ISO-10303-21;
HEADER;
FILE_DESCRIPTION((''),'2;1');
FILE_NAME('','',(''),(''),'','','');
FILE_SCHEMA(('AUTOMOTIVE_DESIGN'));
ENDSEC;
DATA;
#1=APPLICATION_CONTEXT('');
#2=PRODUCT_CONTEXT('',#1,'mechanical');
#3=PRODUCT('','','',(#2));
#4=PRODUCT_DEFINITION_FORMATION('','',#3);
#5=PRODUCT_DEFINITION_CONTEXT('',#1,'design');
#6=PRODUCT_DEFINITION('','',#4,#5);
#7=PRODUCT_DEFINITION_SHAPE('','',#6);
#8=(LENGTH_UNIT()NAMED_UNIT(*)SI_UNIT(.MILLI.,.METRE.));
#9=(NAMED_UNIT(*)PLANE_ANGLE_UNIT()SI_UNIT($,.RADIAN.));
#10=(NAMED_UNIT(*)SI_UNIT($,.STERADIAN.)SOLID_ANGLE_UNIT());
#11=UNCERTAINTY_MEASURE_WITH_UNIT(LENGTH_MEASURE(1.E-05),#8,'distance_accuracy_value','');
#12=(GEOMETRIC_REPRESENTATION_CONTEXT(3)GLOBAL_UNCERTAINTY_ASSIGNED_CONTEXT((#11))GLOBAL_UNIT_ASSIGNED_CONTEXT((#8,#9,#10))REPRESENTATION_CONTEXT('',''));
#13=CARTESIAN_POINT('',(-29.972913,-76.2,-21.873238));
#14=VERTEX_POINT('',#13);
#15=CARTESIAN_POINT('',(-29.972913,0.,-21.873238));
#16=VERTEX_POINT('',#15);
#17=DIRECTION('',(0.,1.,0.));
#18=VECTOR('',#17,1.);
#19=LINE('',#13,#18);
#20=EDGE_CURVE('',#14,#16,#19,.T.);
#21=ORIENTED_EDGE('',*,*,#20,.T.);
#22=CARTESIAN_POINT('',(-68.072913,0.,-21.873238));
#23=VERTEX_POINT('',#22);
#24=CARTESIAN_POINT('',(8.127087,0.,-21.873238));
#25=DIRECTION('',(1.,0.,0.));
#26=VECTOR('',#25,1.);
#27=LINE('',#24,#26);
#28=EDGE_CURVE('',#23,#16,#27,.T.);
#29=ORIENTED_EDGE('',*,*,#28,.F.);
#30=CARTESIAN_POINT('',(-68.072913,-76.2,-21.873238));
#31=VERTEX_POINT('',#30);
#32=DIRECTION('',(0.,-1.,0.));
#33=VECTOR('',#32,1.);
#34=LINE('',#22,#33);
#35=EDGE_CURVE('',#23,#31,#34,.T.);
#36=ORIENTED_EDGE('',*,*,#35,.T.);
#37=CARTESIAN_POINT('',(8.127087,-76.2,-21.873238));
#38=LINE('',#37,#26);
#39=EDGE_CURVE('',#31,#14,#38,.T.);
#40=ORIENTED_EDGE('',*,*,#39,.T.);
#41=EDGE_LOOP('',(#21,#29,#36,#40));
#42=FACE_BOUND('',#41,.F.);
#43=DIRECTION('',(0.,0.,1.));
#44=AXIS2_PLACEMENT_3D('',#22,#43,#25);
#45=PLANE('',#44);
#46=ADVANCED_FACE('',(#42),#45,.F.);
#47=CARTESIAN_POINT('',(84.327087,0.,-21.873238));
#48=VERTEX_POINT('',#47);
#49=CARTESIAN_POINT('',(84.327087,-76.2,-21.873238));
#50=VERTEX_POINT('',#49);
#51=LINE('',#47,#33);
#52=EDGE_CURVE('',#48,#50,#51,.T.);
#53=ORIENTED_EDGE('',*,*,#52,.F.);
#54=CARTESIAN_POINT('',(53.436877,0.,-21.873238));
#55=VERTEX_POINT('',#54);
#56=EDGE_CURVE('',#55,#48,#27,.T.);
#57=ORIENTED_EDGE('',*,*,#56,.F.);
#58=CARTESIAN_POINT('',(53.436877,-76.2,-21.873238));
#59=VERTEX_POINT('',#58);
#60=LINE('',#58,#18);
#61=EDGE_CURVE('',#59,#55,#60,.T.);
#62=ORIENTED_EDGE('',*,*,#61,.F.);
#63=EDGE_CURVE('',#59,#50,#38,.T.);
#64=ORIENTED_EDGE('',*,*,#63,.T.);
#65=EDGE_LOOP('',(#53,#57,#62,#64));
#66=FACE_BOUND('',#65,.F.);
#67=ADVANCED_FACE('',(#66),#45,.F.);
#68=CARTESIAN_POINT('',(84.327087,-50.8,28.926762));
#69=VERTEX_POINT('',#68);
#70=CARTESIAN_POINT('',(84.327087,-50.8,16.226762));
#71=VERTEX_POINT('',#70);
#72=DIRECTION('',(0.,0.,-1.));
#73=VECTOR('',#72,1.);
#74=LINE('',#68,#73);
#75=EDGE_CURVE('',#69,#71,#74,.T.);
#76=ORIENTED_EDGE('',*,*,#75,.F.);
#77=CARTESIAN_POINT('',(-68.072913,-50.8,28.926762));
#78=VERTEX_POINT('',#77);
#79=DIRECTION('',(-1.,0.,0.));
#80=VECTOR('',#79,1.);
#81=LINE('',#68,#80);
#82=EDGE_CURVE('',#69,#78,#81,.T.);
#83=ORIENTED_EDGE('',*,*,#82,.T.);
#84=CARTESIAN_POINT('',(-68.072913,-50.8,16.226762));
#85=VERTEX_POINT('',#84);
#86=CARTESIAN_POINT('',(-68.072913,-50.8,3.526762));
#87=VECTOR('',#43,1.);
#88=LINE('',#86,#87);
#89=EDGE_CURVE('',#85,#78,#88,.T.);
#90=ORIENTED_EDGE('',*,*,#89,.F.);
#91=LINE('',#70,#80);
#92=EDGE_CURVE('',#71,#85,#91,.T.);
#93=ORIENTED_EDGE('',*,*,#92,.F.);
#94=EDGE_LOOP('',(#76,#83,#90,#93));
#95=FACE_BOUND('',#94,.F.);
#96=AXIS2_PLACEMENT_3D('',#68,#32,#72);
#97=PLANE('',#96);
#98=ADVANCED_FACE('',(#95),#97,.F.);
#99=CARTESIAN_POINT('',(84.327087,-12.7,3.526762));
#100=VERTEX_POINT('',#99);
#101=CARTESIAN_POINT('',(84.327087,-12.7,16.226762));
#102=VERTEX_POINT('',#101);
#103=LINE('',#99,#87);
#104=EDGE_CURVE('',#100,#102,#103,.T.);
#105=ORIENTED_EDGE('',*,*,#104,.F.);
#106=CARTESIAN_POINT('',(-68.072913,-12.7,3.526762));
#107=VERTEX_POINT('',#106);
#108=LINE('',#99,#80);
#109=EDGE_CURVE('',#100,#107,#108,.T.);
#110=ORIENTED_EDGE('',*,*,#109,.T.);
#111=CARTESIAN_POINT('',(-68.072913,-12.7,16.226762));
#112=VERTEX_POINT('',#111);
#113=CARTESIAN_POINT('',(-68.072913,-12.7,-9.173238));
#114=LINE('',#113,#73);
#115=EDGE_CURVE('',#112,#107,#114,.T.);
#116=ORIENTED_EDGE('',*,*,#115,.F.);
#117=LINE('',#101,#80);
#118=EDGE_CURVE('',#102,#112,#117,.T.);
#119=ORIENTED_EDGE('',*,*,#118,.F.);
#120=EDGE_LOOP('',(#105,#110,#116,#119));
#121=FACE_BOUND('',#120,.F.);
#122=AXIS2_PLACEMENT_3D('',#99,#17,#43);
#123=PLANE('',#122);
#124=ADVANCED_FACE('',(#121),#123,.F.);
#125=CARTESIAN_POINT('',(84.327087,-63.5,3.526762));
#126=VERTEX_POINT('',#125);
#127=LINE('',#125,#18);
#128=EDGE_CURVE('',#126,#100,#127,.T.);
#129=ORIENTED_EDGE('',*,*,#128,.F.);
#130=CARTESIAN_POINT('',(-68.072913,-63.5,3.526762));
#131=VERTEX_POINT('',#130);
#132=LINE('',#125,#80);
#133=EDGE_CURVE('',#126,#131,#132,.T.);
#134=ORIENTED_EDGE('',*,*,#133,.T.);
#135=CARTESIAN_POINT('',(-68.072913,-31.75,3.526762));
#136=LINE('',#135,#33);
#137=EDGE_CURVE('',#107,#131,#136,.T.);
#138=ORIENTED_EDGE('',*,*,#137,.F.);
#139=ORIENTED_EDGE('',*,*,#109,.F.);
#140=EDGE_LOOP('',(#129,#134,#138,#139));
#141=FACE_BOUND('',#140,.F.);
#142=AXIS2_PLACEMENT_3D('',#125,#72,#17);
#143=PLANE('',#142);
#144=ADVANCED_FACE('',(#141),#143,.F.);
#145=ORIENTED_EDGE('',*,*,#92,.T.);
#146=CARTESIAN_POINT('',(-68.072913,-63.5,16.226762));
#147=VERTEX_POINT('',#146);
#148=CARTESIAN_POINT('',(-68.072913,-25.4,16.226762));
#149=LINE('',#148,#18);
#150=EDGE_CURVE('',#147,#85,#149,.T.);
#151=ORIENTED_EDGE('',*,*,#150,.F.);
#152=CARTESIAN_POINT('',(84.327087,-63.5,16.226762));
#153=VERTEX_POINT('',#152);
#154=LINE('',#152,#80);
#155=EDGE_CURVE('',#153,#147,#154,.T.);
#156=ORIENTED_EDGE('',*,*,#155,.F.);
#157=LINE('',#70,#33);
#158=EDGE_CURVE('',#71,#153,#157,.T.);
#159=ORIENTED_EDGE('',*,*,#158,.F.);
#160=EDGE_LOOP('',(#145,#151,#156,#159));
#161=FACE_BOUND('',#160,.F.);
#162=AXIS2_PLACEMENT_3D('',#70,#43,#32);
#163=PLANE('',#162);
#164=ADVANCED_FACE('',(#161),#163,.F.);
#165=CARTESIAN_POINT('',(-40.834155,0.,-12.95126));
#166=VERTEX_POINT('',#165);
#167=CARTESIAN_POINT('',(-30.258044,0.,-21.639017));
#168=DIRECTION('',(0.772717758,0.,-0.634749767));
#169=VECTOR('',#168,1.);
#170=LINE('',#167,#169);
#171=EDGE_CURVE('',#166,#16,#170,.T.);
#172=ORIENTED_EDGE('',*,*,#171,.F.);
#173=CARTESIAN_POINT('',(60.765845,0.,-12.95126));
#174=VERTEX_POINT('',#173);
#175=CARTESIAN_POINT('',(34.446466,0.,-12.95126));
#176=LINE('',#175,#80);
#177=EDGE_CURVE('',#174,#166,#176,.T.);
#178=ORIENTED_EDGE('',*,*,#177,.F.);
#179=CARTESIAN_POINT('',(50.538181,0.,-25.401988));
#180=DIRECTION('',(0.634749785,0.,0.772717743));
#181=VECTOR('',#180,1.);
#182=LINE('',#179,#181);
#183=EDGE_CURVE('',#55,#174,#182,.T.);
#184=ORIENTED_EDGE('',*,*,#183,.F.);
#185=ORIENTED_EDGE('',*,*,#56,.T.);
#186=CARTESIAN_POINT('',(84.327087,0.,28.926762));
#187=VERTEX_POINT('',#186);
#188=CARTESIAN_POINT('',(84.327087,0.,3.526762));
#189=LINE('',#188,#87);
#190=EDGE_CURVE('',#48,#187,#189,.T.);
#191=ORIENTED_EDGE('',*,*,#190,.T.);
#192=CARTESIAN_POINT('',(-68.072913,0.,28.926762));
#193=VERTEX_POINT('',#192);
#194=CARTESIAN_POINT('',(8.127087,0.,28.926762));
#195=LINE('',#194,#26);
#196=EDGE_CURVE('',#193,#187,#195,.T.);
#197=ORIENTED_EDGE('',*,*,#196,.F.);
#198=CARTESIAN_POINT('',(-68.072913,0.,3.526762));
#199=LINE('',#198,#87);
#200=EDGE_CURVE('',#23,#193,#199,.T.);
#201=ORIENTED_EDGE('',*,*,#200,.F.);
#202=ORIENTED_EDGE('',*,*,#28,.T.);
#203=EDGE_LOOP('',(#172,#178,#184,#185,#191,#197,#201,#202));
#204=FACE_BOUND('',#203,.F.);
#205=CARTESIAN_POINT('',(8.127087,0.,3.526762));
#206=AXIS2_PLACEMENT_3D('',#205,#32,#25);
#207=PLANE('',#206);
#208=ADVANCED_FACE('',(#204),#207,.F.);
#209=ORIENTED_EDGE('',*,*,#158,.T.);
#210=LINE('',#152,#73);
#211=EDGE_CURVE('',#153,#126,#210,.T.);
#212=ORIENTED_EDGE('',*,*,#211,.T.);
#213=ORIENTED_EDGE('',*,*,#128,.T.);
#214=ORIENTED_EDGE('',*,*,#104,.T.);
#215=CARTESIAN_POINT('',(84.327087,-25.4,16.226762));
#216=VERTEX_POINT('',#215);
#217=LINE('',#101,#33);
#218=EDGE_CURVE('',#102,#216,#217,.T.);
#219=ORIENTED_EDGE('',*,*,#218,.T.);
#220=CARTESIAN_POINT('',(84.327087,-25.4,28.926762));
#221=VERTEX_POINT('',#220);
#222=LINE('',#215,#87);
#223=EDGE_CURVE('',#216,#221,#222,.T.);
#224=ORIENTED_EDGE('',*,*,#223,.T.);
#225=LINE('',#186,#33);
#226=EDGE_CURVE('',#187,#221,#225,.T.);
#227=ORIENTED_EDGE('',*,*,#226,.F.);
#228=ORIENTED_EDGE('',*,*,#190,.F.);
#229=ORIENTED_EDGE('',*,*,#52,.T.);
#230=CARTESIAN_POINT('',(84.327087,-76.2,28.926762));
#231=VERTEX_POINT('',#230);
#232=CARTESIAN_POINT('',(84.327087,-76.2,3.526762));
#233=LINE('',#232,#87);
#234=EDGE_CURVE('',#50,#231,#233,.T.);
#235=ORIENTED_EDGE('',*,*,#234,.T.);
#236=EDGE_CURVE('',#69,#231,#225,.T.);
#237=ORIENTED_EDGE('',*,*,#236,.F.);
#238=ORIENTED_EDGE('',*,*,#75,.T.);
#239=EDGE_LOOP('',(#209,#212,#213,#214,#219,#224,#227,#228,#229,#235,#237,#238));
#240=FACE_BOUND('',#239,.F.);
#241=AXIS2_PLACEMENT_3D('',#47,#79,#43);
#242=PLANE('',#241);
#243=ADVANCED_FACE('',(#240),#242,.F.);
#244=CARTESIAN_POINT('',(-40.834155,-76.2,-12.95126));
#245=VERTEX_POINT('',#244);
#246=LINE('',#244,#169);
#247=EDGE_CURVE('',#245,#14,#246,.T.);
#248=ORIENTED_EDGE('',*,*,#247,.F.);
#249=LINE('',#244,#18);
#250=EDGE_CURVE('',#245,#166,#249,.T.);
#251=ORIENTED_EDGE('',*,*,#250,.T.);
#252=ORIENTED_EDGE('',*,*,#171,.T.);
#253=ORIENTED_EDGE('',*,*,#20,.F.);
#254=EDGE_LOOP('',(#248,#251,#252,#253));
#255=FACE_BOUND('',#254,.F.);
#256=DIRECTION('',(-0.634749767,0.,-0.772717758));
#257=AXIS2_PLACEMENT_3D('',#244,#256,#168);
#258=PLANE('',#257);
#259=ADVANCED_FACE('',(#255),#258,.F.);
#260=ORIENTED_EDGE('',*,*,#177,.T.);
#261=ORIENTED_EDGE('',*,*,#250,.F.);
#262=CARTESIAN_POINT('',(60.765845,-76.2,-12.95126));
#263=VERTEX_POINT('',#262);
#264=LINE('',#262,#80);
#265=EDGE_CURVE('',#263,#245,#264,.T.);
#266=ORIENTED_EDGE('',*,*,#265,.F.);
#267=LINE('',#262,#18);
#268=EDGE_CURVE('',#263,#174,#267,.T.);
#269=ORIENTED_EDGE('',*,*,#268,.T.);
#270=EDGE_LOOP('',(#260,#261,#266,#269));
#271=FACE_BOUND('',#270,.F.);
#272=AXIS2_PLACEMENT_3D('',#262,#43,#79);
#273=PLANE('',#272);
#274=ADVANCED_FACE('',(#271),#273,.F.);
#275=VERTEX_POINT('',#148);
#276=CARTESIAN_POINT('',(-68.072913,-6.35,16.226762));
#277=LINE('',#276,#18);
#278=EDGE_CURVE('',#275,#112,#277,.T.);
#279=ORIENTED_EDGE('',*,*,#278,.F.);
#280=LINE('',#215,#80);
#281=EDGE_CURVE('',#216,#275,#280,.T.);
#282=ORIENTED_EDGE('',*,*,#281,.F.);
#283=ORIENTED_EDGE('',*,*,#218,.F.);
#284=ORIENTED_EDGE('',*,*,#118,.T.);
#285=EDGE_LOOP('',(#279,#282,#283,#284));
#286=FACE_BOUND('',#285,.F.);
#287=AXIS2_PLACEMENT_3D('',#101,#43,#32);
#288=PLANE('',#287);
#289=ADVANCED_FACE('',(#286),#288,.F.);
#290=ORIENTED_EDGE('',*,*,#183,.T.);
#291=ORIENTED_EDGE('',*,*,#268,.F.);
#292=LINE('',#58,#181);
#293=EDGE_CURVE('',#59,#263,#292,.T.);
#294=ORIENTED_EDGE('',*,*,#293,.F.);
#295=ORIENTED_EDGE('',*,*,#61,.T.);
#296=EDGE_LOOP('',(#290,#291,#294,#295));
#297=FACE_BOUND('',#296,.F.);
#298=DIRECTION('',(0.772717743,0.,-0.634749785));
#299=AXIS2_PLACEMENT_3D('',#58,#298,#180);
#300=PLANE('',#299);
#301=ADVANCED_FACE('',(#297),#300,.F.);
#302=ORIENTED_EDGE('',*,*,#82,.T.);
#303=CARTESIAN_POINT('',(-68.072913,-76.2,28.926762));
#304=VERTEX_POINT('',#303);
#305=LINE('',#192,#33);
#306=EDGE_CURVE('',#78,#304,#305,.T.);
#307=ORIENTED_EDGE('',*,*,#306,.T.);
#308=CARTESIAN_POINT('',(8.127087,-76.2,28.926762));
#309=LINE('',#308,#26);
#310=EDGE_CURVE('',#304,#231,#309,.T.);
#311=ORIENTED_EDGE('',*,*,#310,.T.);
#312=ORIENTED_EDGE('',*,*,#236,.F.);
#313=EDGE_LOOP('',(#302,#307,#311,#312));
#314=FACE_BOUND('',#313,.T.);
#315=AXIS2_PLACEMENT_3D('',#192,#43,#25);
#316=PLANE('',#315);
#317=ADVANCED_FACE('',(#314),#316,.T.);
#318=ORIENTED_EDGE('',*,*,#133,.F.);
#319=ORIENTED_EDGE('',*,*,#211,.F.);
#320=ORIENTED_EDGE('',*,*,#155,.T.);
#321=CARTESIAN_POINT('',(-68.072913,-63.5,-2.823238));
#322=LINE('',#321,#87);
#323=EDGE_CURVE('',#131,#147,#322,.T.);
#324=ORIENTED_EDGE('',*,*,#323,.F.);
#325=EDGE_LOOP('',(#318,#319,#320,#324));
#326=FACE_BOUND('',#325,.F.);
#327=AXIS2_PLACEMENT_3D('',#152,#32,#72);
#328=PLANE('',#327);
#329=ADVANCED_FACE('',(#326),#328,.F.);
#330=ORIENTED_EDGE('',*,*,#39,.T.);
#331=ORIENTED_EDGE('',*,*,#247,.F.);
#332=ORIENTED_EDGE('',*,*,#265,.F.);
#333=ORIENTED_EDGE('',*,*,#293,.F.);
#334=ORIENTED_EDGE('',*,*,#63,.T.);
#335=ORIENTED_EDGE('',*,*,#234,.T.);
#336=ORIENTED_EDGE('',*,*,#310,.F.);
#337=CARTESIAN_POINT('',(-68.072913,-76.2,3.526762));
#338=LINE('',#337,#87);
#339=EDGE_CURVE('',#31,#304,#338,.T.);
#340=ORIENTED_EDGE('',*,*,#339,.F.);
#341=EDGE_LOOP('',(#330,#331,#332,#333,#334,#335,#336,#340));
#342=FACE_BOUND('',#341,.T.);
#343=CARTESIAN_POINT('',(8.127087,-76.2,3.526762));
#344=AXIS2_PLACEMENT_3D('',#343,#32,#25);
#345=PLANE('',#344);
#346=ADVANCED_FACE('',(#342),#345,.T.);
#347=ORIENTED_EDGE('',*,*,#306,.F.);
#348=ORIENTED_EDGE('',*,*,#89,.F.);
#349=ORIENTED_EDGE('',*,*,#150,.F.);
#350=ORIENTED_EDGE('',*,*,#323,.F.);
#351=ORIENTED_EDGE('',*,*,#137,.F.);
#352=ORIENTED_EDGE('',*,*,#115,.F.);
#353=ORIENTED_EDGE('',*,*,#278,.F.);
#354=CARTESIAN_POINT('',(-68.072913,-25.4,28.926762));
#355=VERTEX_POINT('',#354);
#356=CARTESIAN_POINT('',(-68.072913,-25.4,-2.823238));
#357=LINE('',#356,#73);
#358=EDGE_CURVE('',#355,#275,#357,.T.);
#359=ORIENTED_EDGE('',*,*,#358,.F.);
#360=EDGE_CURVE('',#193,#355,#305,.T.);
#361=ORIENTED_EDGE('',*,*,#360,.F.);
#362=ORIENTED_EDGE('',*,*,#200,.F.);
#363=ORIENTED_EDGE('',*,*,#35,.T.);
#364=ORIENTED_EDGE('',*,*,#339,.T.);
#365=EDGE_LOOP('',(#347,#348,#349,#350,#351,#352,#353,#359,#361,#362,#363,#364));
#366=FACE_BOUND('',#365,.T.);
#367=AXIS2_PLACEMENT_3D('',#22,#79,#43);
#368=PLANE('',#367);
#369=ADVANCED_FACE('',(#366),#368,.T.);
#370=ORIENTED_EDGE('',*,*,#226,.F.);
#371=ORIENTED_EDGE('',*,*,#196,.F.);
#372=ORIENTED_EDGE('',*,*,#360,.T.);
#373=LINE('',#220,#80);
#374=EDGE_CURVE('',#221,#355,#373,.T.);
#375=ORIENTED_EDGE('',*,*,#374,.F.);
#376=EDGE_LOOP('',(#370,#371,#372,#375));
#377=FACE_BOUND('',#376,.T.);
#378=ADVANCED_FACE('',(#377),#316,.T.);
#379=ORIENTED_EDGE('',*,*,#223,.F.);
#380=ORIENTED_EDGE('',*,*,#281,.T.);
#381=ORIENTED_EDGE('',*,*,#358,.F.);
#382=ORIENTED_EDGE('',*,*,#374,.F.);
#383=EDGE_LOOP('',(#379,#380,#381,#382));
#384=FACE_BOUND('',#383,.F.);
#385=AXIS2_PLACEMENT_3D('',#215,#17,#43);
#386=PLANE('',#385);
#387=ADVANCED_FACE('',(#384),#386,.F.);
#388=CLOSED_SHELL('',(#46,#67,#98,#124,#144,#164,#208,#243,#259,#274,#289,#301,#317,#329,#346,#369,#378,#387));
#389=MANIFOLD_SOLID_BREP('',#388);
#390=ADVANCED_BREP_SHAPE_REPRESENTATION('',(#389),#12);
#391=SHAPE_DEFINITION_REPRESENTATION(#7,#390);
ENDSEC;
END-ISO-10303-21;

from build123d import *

# Parameters (mm, degrees)
F0_W     = 152.4
F0_H     = 50.8
F1_DEPTH = 76.2
F3_DEPTH = 76.201
F5_DEPTH = 152.401


with BuildPart() as f1:
    # F0 (on Front) → F1 (new body)
    with BuildSketch(Plane.XZ):
        with Locations((8.127087, 3.526762)):
            Rectangle(F0_W, F0_H)
    extrude(amount=F1_DEPTH)

    # F2 (on face) → F3 (cut, through all)
    with BuildSketch(Plane.XZ.offset(76.2)):
        Polygon((-40.834155, -12.95126), (-29.972913, -21.873238), (53.436877, -21.873238), (60.765845, -12.95126), align=None)
    extrude(amount=-F3_DEPTH, mode=Mode.SUBTRACT)

    # F4 (on face) → F5 (cut, through all)
    with BuildSketch(Plane.YZ.offset(84.327087)):
        Polygon((-25.4, 28.926762), (-50.8, 28.926762), (-50.8, 16.226762), (-63.5, 16.226762), (-63.5, 3.526762), (-12.7, 3.526762), (-12.7, 16.226762), (-25.4, 16.226762), align=None)
    extrude(amount=-F5_DEPTH, mode=Mode.SUBTRACT)


solid = f1.part
